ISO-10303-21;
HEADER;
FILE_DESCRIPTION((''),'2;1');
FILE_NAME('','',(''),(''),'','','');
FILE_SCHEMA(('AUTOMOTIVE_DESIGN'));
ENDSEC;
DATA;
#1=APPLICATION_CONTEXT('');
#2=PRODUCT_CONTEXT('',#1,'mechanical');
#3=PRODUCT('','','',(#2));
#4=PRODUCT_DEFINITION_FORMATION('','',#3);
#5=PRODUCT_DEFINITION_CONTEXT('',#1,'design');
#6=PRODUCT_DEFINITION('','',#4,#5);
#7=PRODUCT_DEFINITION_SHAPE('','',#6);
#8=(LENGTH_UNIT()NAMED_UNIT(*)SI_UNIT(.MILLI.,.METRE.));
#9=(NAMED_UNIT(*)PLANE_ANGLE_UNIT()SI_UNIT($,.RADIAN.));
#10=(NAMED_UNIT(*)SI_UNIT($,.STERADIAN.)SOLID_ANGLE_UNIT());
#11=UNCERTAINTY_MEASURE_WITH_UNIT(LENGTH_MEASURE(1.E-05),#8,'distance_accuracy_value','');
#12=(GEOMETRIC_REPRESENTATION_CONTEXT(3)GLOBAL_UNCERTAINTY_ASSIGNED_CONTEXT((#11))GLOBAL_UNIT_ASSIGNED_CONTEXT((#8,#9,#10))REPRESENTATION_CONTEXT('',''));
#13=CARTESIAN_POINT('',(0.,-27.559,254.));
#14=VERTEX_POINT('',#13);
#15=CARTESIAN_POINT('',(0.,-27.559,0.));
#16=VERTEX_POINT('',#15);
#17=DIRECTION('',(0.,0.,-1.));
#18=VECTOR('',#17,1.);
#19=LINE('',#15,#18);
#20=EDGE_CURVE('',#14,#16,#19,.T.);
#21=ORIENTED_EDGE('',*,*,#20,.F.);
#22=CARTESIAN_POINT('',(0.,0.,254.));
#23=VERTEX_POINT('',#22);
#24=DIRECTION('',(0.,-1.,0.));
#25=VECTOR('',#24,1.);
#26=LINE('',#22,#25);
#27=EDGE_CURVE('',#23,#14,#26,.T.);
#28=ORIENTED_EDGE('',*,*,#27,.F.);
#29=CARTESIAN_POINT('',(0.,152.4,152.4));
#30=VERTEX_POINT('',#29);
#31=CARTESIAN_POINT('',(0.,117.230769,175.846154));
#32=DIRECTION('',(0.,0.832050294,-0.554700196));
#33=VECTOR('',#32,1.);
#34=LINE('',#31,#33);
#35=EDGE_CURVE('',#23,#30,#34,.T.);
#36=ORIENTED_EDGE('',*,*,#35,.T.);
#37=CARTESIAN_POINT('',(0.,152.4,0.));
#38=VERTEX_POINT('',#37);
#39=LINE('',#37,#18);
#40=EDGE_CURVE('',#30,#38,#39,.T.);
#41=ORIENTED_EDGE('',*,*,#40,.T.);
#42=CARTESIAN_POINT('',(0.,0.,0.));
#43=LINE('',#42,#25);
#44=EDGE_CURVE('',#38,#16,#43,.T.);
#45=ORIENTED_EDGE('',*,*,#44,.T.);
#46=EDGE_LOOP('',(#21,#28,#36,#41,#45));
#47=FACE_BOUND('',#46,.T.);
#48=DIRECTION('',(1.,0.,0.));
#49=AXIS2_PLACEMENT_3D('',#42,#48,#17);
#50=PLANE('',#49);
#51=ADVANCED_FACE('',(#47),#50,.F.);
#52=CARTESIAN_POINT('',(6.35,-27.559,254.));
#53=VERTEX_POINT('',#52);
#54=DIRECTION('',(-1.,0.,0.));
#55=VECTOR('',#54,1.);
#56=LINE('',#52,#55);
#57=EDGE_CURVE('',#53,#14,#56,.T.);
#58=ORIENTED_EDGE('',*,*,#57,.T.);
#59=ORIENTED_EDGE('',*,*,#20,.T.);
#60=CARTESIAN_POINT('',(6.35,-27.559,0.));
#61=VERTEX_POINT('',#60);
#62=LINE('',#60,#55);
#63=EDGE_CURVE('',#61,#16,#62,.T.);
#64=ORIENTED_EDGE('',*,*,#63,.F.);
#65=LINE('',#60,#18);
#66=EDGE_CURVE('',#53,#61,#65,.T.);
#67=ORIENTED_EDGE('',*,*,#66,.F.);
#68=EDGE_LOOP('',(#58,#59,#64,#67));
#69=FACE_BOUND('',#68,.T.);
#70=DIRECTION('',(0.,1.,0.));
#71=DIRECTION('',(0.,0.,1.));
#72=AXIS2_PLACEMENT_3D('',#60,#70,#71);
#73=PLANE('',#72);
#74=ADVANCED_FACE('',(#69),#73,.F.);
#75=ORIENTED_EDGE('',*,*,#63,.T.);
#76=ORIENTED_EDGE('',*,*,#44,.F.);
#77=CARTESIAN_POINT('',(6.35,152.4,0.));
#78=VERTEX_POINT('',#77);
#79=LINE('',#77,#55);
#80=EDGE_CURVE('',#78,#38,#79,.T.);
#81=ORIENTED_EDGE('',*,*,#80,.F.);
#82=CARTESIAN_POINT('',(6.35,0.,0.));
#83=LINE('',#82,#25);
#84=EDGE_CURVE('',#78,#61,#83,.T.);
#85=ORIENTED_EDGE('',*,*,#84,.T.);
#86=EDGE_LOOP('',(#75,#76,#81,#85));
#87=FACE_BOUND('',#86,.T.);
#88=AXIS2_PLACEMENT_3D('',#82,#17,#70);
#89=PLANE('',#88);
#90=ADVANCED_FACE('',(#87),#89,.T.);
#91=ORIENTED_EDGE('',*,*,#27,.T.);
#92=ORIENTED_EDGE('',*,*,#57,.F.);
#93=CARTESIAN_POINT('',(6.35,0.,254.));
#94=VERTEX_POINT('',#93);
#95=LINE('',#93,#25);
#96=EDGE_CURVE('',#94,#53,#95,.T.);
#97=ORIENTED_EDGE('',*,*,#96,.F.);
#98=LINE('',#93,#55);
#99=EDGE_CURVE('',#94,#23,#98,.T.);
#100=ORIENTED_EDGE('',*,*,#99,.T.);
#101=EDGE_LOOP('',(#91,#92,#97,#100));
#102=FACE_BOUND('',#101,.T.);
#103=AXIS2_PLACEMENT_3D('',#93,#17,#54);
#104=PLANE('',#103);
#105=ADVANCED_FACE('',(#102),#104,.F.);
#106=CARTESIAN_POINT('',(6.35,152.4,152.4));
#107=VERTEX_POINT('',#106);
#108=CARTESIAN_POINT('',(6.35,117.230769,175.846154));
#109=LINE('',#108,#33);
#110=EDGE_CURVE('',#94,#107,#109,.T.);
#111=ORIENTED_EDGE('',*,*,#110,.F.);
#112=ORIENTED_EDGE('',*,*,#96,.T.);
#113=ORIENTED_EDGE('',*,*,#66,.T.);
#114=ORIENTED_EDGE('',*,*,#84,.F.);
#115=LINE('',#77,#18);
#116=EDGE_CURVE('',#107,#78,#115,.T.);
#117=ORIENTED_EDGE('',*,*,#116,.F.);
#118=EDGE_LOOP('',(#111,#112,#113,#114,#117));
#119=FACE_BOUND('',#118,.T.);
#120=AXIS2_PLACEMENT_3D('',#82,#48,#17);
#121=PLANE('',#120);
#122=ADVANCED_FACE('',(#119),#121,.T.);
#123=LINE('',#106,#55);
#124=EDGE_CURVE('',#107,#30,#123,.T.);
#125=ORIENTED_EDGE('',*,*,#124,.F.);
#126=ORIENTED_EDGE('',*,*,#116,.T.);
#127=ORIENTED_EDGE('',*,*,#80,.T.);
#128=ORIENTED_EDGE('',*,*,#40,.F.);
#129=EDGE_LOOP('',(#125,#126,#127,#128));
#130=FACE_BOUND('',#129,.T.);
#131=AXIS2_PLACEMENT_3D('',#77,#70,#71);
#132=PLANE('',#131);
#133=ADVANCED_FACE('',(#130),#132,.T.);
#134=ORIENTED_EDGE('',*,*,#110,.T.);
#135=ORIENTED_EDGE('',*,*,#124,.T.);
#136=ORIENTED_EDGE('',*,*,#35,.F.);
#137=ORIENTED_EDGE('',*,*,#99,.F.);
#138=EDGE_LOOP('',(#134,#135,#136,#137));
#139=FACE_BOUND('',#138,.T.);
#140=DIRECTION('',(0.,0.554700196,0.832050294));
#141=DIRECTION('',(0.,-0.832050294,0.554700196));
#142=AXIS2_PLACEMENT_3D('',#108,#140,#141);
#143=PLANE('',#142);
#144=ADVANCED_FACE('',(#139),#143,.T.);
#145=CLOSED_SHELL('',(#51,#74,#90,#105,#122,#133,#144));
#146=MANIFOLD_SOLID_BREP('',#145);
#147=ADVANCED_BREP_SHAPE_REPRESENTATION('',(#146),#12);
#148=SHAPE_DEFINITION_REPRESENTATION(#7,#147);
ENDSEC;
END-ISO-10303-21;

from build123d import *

# Parameters (mm, degrees)
BOSS_EXTRU_1_DEPTH = 6.35


with BuildPart() as part:
    # Esquisse2 → Boss.-Extru.1 (new body)
    with BuildSketch(Plane(origin=(0, 0, 0), x_dir=(0, 0, -1), z_dir=(1, 0, 0))):
        Polygon((0, -27.559), (0, 152.4), (-152.4, 152.4), (-254, 0), (-254, -27.559), align=None)
    extrude(amount=BOSS_EXTRU_1_DEPTH)


solid = part.part
